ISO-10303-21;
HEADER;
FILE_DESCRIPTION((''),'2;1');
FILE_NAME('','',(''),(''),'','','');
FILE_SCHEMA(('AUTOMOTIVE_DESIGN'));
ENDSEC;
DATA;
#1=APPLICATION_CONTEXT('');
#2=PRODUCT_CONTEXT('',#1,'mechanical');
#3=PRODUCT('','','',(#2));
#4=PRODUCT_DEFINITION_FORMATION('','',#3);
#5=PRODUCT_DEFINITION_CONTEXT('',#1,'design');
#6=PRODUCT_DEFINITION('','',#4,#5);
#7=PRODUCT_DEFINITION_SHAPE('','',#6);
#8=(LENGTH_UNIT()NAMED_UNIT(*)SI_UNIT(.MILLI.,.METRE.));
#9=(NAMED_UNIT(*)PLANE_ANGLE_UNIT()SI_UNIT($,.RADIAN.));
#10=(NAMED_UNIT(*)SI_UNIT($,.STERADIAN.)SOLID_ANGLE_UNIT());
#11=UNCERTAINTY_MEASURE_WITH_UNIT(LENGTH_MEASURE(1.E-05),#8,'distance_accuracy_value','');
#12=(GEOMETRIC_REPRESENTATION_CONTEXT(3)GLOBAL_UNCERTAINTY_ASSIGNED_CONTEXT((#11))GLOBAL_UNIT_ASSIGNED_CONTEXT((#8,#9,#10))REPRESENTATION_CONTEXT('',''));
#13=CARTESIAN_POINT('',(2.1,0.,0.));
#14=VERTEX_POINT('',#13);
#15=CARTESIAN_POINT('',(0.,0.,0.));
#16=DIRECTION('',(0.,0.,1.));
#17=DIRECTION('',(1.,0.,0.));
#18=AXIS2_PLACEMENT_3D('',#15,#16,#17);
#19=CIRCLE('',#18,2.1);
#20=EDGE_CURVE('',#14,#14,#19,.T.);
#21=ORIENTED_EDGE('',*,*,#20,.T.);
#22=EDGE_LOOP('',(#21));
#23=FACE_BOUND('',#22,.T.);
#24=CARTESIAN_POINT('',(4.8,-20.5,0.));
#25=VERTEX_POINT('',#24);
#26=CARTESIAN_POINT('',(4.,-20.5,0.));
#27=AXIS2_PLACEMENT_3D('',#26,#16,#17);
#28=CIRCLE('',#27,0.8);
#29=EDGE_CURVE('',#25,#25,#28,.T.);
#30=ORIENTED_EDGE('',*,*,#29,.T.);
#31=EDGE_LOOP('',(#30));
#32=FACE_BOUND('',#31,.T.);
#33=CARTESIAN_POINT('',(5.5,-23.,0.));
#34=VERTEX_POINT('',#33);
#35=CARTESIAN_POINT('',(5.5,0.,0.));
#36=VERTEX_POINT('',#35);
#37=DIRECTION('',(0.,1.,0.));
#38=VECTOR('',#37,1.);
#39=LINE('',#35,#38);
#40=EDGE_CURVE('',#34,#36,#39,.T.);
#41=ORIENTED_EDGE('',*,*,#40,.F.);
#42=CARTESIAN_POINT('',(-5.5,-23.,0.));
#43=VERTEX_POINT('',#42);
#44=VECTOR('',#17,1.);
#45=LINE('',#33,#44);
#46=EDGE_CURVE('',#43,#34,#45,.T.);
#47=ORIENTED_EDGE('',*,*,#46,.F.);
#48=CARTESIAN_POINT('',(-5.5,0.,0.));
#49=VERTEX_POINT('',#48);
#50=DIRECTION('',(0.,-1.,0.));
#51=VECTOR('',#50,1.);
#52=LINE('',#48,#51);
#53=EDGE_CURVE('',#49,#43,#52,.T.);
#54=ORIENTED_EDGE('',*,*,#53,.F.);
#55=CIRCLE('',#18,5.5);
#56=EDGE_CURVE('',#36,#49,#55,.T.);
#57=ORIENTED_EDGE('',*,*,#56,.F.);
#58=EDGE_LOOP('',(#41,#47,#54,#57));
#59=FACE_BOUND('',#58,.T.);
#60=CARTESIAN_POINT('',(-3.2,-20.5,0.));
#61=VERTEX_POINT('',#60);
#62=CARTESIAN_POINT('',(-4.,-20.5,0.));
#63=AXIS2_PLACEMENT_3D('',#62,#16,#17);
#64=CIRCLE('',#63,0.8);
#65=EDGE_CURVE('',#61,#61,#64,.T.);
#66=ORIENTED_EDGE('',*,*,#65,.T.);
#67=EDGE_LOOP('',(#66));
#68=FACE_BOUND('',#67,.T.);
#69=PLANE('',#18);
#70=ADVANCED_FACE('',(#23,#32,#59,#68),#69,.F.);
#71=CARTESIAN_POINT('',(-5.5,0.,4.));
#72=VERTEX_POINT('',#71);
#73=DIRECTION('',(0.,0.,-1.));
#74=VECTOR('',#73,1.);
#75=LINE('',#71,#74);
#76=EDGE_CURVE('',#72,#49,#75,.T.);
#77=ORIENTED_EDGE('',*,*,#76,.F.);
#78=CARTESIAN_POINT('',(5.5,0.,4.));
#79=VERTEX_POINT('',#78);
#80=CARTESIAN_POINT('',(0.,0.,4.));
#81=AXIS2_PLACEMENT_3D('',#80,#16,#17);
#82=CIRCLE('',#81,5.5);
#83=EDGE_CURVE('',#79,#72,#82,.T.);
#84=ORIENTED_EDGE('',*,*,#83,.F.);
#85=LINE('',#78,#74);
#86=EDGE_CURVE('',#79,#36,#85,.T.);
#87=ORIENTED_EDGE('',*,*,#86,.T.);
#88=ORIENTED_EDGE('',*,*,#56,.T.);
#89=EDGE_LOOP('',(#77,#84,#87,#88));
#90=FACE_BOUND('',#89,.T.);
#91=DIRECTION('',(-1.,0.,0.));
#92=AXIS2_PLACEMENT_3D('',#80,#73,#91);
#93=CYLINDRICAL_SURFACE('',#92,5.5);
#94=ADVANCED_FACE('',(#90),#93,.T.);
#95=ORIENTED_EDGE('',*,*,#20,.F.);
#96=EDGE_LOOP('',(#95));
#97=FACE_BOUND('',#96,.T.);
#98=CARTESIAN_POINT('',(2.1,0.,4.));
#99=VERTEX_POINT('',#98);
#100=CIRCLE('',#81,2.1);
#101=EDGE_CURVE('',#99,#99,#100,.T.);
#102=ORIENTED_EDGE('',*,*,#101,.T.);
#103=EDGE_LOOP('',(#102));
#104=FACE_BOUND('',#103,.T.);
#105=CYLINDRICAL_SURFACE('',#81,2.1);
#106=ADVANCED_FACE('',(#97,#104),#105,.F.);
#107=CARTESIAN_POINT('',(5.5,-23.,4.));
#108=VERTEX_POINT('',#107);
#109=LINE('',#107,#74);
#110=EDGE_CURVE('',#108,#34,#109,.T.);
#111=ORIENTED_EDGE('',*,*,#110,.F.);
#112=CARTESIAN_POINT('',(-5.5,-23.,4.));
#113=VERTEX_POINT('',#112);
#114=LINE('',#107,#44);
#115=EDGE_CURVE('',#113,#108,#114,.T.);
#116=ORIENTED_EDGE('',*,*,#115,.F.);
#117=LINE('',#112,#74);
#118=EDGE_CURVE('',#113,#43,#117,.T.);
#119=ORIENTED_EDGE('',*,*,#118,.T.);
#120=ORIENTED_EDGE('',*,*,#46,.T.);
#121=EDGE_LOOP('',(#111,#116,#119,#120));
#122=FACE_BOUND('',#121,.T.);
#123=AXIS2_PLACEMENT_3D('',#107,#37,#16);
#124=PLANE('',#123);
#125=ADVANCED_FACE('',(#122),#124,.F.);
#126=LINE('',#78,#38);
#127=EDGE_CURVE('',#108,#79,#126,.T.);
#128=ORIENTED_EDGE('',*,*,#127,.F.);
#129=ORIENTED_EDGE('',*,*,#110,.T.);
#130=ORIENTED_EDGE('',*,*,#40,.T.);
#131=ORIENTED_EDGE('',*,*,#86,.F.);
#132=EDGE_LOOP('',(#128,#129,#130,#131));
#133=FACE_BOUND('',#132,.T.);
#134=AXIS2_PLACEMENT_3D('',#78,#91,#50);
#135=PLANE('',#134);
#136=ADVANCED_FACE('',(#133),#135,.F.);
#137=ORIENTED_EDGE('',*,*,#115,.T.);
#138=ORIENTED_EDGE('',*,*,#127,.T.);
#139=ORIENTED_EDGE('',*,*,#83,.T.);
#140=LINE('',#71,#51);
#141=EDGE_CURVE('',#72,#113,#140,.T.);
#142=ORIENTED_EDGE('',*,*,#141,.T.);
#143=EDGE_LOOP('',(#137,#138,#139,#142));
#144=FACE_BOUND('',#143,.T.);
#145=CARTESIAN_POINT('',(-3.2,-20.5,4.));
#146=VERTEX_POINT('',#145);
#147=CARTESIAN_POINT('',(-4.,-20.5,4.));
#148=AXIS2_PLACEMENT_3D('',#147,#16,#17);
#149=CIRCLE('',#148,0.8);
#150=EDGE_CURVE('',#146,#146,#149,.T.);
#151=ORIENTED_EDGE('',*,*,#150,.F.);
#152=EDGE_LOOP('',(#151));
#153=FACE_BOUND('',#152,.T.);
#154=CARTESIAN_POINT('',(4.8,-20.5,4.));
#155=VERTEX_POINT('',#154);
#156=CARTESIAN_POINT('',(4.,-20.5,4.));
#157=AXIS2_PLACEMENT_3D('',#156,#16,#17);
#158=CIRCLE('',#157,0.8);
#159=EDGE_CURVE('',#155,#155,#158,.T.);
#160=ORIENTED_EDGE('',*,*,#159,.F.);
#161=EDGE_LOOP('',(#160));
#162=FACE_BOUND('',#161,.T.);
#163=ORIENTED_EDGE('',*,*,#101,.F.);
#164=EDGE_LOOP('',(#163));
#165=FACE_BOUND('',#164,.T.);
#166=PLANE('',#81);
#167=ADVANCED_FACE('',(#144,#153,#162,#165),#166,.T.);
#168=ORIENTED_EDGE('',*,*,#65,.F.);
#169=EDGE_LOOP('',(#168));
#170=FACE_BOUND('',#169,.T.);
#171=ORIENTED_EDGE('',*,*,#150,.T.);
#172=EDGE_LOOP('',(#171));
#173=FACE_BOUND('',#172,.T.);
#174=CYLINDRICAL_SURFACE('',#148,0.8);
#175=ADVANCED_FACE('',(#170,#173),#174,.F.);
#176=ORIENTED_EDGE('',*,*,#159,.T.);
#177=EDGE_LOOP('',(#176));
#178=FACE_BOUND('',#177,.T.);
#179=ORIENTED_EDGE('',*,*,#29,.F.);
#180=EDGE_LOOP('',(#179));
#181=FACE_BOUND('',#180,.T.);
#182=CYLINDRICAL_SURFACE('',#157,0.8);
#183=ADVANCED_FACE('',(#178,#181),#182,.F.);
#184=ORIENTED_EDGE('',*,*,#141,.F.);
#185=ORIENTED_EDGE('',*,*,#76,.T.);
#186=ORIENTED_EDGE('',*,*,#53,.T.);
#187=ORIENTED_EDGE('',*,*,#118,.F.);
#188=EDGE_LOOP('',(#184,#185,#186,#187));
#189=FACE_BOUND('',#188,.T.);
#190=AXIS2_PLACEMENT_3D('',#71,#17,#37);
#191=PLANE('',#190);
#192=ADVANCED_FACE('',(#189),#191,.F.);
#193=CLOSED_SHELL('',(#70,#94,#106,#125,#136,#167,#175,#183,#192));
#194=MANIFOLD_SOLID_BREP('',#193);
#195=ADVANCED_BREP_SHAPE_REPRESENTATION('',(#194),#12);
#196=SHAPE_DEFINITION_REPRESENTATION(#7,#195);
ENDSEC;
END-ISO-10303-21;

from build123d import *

# Parameters (mm, degrees)
RESSALTO_EXTRUS_O1_DEPTH                = 4
FURO_ROSCADO_DE_M21_D                   = 1.6
FURO_ROSCADO_PARA_CONDU_TE_DE_M4X0_71_D = 4.2


with BuildPart() as part:
    # Esboço1 → Ressalto-extrusão1 (new body)
    with BuildSketch(Plane.XY):
        with BuildLine():
            Line((-5.5, 0), (-5.5, -23))
            Line((-5.5, -23), (5.5, -23))
            Line((5.5, -23), (5.5, 0))
            ThreePointArc((5.5, 0), (0, 5.5), (-5.5, 0))
        make_face()
    extrude(amount=RESSALTO_EXTRUS_O1_DEPTH)

    # Furo roscado de M21 (through all)
    with Locations(Plane(origin=(-4, -20.5, 4), x_dir=(1, 0, 0), z_dir=(0, 0, 1))):
        with Locations((0, 0), (8, 0)):
            Hole(FURO_ROSCADO_DE_M21_D / 2)

    # Furo roscado para conduíte de M4x0.71 (through all)
    with Locations(Plane.XY.offset(4)):
        with Locations((0, 0)):
            Hole(FURO_ROSCADO_PARA_CONDU_TE_DE_M4X0_71_D / 2)


solid = part.part
